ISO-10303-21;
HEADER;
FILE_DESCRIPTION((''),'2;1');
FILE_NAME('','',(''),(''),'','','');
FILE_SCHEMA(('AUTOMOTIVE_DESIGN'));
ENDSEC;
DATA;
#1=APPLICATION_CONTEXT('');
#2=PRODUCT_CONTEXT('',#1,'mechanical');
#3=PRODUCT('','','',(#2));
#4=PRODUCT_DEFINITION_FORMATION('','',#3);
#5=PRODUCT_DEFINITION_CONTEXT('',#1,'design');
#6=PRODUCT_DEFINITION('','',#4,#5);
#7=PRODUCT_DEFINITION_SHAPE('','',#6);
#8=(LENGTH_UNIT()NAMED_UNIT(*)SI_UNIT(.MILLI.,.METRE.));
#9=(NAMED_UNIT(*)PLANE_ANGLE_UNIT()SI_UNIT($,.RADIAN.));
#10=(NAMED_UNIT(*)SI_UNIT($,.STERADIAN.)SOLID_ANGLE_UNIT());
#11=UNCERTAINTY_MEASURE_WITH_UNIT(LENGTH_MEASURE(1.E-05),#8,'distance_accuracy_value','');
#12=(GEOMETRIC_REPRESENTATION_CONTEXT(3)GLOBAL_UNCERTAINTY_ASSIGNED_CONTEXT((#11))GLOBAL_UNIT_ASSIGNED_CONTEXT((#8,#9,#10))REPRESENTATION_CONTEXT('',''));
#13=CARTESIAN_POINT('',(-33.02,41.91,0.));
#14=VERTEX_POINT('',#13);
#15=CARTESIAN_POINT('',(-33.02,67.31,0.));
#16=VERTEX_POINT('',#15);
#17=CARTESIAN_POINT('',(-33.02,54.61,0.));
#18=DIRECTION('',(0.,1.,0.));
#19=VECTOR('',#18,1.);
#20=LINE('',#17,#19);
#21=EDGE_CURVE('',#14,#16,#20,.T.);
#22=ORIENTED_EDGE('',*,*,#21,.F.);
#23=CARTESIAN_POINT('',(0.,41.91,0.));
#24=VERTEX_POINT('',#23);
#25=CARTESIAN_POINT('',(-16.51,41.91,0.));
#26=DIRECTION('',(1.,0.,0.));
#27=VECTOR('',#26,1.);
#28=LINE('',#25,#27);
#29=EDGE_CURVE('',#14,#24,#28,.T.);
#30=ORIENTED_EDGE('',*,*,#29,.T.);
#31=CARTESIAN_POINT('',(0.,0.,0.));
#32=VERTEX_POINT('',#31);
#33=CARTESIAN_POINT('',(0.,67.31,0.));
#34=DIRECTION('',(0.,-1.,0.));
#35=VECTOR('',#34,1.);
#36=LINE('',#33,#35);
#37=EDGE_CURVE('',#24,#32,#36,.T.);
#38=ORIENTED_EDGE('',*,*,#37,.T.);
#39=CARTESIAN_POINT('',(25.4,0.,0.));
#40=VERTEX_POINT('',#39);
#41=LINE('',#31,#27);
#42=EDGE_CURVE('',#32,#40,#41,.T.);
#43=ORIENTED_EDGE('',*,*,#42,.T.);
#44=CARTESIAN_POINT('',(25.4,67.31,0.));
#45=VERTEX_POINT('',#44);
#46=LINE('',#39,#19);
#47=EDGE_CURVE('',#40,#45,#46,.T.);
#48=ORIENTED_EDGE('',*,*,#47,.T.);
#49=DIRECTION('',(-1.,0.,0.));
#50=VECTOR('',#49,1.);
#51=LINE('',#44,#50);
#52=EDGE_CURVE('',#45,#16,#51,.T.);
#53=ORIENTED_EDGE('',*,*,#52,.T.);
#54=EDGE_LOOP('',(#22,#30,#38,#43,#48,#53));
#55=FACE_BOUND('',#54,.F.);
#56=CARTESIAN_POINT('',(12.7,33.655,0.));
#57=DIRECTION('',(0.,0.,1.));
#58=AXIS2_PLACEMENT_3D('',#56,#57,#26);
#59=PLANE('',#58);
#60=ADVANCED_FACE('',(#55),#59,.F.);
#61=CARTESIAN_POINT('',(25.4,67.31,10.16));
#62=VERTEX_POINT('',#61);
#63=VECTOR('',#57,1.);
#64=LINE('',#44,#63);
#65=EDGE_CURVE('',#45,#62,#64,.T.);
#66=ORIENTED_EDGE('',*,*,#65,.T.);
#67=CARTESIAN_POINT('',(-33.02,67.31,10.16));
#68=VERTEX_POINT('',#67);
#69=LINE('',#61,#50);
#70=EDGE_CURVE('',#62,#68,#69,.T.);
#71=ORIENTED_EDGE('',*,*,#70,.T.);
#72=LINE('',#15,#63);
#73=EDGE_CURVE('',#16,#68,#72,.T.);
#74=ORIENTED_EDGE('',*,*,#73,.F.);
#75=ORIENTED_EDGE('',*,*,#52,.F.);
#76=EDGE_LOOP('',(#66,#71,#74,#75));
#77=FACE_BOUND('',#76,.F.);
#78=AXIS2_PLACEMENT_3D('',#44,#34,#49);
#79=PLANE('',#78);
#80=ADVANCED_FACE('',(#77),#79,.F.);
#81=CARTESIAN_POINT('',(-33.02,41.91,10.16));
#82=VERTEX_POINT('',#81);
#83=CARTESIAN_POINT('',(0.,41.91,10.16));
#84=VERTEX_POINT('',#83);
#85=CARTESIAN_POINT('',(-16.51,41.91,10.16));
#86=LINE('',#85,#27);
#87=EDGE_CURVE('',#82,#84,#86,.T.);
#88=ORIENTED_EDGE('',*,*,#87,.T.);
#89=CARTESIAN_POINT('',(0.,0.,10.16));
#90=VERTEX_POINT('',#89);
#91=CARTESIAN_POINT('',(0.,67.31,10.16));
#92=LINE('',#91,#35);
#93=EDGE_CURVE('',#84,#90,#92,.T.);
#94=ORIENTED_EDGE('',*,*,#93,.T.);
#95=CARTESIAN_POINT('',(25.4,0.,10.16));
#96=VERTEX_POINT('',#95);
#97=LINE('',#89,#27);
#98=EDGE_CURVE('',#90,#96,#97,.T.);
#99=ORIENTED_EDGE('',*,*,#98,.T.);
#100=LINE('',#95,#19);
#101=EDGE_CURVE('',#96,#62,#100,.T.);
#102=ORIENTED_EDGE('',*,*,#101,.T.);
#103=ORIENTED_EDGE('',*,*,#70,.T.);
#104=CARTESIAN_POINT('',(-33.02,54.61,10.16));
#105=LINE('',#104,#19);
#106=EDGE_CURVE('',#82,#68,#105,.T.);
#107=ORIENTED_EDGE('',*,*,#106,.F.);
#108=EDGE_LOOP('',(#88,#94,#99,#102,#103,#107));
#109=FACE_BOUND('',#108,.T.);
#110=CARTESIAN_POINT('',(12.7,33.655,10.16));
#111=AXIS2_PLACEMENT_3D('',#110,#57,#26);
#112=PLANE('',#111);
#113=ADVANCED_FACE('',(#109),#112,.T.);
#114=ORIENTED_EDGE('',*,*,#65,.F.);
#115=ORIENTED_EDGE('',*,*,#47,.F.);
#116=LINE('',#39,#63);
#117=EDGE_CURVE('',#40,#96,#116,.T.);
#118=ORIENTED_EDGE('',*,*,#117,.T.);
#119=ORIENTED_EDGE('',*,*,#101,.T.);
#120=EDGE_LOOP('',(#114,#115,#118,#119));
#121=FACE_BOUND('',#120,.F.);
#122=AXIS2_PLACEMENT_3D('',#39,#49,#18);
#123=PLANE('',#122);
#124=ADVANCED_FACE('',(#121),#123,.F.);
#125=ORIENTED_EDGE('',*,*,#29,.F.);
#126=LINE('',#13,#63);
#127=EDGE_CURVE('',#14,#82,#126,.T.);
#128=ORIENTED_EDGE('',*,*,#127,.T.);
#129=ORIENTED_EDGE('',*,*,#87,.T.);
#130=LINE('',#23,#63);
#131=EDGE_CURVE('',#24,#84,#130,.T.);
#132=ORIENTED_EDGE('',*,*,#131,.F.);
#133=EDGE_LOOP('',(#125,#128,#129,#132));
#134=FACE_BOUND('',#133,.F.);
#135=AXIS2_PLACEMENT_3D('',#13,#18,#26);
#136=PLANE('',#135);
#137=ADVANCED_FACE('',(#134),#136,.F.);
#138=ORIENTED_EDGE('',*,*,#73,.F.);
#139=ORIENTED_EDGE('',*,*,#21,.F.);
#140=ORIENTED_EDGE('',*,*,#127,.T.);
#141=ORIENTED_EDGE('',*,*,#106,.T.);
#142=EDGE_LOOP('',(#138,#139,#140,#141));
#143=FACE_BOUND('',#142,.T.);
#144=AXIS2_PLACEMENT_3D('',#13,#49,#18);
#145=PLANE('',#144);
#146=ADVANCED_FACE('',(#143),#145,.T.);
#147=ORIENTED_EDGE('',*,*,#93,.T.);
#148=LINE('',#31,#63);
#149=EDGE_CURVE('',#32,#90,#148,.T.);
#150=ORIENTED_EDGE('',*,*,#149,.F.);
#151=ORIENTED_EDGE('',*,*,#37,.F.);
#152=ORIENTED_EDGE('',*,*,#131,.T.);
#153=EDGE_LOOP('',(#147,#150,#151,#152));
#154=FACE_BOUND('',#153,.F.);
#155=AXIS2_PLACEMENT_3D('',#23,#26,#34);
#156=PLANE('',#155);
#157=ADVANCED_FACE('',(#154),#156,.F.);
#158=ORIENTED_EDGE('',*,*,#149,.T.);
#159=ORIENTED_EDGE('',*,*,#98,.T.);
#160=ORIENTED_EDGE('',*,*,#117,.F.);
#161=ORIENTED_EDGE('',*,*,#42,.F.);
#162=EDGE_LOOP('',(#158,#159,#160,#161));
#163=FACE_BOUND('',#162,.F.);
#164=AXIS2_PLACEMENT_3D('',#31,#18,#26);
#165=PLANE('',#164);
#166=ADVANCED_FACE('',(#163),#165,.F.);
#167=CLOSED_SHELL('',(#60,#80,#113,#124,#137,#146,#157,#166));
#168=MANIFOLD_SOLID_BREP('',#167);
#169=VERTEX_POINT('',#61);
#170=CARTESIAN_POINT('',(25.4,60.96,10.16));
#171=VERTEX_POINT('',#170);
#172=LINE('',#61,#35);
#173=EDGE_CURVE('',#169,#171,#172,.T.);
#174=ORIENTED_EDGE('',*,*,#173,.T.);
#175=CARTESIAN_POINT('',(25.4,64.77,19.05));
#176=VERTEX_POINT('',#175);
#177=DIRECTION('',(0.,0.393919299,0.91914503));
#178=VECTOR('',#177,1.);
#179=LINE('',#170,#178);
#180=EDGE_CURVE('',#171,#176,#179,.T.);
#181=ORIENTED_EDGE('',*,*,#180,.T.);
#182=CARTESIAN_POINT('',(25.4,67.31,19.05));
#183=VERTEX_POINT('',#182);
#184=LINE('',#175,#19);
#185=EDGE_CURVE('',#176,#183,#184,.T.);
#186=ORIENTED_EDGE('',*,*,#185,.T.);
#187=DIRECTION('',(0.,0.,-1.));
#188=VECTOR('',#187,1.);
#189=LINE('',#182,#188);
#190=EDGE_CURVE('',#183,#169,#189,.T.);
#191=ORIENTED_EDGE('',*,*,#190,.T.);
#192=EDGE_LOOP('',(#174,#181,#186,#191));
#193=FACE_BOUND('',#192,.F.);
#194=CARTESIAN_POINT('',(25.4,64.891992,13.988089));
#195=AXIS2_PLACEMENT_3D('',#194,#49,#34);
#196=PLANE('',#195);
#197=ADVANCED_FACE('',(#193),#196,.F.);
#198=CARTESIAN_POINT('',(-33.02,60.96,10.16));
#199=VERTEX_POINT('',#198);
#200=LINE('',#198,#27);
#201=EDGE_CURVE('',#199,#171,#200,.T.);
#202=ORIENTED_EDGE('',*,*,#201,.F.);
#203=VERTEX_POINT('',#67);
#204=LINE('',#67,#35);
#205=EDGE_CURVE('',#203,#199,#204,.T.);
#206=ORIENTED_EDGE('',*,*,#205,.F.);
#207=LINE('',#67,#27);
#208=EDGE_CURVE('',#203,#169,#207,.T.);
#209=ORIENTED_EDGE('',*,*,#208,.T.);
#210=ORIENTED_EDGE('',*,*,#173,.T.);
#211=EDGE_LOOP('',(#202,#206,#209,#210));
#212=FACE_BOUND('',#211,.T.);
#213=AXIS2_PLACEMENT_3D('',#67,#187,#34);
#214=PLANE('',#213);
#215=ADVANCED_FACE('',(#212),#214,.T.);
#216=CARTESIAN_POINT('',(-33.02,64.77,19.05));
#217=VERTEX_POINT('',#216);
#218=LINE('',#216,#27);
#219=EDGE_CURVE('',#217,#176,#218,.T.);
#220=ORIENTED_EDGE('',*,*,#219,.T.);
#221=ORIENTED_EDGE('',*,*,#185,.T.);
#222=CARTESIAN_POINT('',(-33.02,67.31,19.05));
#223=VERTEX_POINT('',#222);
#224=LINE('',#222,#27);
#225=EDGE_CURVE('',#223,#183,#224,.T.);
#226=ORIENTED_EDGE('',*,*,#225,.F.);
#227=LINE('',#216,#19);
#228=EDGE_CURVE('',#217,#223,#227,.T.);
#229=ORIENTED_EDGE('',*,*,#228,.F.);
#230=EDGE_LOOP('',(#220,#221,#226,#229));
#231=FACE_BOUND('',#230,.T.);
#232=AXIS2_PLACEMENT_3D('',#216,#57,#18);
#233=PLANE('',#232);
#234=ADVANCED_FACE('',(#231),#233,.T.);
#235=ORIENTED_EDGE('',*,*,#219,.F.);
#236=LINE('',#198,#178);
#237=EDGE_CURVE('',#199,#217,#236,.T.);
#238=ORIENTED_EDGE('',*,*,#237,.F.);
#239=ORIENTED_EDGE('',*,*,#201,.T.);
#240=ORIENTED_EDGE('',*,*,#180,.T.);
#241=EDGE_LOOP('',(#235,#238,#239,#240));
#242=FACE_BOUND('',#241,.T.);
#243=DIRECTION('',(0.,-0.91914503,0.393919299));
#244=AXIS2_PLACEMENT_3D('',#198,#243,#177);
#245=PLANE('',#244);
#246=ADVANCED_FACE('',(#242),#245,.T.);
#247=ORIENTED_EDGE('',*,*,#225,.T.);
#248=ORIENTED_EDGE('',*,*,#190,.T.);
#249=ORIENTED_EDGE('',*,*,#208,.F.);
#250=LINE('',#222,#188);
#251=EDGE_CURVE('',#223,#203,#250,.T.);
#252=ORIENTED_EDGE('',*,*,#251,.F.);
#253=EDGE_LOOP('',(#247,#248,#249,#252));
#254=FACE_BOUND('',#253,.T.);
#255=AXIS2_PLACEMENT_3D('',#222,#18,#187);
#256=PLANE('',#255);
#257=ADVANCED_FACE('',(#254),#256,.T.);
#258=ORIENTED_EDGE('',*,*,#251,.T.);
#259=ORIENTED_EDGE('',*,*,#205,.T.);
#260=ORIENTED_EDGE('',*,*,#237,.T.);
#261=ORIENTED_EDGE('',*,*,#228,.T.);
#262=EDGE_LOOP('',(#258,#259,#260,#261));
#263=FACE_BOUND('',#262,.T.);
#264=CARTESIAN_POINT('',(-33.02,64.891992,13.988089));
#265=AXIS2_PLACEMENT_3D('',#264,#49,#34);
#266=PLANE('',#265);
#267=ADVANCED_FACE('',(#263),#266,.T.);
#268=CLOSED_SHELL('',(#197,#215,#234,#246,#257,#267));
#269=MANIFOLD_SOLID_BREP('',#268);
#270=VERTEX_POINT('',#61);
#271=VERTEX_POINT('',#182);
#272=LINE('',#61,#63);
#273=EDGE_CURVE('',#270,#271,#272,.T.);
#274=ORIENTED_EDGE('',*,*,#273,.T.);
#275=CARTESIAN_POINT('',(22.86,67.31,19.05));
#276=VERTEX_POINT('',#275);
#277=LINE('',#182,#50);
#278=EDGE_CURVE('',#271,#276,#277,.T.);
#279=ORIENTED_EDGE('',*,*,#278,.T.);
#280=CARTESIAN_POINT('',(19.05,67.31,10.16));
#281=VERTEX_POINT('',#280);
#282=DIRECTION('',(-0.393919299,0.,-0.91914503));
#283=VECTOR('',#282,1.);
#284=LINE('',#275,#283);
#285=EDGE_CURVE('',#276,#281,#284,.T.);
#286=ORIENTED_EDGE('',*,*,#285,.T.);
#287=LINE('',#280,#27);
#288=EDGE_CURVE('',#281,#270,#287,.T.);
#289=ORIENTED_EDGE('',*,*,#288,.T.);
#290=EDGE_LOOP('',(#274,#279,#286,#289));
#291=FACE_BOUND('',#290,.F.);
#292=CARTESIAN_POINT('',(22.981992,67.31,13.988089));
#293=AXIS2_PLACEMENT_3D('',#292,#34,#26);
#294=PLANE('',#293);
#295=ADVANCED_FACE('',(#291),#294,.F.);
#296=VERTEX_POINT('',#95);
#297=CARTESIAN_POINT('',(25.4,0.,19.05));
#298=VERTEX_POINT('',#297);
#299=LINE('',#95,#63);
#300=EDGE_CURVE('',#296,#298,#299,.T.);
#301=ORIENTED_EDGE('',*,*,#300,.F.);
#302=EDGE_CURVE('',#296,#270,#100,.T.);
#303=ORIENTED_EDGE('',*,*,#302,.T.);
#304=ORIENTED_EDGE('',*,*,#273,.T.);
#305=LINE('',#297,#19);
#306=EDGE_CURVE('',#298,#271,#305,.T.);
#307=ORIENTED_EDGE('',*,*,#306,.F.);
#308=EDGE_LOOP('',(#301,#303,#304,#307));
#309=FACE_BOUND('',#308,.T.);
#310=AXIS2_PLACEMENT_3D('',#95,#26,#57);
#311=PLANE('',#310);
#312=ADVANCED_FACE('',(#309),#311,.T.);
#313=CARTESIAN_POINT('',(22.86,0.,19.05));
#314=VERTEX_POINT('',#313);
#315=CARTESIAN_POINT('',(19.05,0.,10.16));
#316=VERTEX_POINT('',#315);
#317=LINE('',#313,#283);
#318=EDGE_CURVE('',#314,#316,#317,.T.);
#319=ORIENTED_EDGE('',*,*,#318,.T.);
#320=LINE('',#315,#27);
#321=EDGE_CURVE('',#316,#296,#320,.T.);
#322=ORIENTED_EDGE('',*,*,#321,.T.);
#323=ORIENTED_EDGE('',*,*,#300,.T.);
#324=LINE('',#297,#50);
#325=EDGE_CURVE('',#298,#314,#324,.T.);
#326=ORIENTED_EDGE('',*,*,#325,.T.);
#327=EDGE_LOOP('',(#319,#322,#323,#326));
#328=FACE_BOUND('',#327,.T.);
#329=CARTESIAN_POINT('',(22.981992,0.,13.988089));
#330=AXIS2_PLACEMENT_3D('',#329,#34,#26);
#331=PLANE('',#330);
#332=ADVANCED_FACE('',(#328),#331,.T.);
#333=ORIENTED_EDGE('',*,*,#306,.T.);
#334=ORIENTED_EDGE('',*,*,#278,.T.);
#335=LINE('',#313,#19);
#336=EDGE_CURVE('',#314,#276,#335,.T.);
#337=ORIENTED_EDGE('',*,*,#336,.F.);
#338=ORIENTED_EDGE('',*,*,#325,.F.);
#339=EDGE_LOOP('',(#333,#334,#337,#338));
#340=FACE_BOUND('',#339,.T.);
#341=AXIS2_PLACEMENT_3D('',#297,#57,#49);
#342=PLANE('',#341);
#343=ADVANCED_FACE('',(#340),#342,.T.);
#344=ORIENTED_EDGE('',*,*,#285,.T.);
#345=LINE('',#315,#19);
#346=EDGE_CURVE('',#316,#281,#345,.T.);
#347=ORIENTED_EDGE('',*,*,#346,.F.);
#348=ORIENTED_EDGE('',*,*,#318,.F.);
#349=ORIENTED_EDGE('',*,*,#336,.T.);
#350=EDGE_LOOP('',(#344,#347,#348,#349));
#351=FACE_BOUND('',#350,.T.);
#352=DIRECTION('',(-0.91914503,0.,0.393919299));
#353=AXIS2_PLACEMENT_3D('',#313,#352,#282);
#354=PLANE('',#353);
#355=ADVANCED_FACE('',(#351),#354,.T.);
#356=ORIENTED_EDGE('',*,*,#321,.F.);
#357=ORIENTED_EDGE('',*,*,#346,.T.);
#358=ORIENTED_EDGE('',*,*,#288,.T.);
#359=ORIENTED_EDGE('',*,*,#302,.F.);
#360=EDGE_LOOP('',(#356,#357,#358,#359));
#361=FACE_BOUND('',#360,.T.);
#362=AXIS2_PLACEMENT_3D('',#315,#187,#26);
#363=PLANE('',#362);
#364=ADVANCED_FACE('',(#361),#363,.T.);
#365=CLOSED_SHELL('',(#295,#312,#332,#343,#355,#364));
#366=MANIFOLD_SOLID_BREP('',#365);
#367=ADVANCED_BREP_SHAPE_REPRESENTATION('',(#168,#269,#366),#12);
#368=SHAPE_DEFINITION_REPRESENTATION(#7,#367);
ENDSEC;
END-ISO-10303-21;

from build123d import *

# Parameters (mm, degrees)
F0_W     = 33.02
F0_H     = 25.4
F1_DEPTH = 10.16
F3_DEPTH = 67.31
F5_DEPTH = 58.42


with BuildPart() as f1:
    # F0 (on Top) → F1 (new body)
    with BuildSketch(Plane.XY):
        Polygon((0, 41.91), (0, 0), (25.4, 0), (25.4, 67.31), (0, 67.31), align=None)
        with Locations((-16.51, 54.61)):
            Rectangle(F0_W, F0_H)
    extrude(amount=F1_DEPTH)


with BuildPart() as f3:
    # F2 (on face) → F3 (new body)
    with BuildSketch(Plane.XZ):
        Polygon((19.05, 10.16), (25.4, 10.16), (25.4, 19.05), (22.86, 19.05), align=None)
    extrude(amount=-F3_DEPTH)


with BuildPart() as f5:
    # F4 (on face) → F5 (new body)
    with BuildSketch(Plane(origin=(-33.02, 0, 0), x_dir=(0, -1, 0), z_dir=(-1, 0, 0))):
        Polygon((-67.31, 19.05), (-67.31, 10.16), (-60.96, 10.16), (-64.77, 19.05), align=None)
    extrude(amount=-F5_DEPTH)


solid = Compound([f1.part, f3.part, f5.part])
